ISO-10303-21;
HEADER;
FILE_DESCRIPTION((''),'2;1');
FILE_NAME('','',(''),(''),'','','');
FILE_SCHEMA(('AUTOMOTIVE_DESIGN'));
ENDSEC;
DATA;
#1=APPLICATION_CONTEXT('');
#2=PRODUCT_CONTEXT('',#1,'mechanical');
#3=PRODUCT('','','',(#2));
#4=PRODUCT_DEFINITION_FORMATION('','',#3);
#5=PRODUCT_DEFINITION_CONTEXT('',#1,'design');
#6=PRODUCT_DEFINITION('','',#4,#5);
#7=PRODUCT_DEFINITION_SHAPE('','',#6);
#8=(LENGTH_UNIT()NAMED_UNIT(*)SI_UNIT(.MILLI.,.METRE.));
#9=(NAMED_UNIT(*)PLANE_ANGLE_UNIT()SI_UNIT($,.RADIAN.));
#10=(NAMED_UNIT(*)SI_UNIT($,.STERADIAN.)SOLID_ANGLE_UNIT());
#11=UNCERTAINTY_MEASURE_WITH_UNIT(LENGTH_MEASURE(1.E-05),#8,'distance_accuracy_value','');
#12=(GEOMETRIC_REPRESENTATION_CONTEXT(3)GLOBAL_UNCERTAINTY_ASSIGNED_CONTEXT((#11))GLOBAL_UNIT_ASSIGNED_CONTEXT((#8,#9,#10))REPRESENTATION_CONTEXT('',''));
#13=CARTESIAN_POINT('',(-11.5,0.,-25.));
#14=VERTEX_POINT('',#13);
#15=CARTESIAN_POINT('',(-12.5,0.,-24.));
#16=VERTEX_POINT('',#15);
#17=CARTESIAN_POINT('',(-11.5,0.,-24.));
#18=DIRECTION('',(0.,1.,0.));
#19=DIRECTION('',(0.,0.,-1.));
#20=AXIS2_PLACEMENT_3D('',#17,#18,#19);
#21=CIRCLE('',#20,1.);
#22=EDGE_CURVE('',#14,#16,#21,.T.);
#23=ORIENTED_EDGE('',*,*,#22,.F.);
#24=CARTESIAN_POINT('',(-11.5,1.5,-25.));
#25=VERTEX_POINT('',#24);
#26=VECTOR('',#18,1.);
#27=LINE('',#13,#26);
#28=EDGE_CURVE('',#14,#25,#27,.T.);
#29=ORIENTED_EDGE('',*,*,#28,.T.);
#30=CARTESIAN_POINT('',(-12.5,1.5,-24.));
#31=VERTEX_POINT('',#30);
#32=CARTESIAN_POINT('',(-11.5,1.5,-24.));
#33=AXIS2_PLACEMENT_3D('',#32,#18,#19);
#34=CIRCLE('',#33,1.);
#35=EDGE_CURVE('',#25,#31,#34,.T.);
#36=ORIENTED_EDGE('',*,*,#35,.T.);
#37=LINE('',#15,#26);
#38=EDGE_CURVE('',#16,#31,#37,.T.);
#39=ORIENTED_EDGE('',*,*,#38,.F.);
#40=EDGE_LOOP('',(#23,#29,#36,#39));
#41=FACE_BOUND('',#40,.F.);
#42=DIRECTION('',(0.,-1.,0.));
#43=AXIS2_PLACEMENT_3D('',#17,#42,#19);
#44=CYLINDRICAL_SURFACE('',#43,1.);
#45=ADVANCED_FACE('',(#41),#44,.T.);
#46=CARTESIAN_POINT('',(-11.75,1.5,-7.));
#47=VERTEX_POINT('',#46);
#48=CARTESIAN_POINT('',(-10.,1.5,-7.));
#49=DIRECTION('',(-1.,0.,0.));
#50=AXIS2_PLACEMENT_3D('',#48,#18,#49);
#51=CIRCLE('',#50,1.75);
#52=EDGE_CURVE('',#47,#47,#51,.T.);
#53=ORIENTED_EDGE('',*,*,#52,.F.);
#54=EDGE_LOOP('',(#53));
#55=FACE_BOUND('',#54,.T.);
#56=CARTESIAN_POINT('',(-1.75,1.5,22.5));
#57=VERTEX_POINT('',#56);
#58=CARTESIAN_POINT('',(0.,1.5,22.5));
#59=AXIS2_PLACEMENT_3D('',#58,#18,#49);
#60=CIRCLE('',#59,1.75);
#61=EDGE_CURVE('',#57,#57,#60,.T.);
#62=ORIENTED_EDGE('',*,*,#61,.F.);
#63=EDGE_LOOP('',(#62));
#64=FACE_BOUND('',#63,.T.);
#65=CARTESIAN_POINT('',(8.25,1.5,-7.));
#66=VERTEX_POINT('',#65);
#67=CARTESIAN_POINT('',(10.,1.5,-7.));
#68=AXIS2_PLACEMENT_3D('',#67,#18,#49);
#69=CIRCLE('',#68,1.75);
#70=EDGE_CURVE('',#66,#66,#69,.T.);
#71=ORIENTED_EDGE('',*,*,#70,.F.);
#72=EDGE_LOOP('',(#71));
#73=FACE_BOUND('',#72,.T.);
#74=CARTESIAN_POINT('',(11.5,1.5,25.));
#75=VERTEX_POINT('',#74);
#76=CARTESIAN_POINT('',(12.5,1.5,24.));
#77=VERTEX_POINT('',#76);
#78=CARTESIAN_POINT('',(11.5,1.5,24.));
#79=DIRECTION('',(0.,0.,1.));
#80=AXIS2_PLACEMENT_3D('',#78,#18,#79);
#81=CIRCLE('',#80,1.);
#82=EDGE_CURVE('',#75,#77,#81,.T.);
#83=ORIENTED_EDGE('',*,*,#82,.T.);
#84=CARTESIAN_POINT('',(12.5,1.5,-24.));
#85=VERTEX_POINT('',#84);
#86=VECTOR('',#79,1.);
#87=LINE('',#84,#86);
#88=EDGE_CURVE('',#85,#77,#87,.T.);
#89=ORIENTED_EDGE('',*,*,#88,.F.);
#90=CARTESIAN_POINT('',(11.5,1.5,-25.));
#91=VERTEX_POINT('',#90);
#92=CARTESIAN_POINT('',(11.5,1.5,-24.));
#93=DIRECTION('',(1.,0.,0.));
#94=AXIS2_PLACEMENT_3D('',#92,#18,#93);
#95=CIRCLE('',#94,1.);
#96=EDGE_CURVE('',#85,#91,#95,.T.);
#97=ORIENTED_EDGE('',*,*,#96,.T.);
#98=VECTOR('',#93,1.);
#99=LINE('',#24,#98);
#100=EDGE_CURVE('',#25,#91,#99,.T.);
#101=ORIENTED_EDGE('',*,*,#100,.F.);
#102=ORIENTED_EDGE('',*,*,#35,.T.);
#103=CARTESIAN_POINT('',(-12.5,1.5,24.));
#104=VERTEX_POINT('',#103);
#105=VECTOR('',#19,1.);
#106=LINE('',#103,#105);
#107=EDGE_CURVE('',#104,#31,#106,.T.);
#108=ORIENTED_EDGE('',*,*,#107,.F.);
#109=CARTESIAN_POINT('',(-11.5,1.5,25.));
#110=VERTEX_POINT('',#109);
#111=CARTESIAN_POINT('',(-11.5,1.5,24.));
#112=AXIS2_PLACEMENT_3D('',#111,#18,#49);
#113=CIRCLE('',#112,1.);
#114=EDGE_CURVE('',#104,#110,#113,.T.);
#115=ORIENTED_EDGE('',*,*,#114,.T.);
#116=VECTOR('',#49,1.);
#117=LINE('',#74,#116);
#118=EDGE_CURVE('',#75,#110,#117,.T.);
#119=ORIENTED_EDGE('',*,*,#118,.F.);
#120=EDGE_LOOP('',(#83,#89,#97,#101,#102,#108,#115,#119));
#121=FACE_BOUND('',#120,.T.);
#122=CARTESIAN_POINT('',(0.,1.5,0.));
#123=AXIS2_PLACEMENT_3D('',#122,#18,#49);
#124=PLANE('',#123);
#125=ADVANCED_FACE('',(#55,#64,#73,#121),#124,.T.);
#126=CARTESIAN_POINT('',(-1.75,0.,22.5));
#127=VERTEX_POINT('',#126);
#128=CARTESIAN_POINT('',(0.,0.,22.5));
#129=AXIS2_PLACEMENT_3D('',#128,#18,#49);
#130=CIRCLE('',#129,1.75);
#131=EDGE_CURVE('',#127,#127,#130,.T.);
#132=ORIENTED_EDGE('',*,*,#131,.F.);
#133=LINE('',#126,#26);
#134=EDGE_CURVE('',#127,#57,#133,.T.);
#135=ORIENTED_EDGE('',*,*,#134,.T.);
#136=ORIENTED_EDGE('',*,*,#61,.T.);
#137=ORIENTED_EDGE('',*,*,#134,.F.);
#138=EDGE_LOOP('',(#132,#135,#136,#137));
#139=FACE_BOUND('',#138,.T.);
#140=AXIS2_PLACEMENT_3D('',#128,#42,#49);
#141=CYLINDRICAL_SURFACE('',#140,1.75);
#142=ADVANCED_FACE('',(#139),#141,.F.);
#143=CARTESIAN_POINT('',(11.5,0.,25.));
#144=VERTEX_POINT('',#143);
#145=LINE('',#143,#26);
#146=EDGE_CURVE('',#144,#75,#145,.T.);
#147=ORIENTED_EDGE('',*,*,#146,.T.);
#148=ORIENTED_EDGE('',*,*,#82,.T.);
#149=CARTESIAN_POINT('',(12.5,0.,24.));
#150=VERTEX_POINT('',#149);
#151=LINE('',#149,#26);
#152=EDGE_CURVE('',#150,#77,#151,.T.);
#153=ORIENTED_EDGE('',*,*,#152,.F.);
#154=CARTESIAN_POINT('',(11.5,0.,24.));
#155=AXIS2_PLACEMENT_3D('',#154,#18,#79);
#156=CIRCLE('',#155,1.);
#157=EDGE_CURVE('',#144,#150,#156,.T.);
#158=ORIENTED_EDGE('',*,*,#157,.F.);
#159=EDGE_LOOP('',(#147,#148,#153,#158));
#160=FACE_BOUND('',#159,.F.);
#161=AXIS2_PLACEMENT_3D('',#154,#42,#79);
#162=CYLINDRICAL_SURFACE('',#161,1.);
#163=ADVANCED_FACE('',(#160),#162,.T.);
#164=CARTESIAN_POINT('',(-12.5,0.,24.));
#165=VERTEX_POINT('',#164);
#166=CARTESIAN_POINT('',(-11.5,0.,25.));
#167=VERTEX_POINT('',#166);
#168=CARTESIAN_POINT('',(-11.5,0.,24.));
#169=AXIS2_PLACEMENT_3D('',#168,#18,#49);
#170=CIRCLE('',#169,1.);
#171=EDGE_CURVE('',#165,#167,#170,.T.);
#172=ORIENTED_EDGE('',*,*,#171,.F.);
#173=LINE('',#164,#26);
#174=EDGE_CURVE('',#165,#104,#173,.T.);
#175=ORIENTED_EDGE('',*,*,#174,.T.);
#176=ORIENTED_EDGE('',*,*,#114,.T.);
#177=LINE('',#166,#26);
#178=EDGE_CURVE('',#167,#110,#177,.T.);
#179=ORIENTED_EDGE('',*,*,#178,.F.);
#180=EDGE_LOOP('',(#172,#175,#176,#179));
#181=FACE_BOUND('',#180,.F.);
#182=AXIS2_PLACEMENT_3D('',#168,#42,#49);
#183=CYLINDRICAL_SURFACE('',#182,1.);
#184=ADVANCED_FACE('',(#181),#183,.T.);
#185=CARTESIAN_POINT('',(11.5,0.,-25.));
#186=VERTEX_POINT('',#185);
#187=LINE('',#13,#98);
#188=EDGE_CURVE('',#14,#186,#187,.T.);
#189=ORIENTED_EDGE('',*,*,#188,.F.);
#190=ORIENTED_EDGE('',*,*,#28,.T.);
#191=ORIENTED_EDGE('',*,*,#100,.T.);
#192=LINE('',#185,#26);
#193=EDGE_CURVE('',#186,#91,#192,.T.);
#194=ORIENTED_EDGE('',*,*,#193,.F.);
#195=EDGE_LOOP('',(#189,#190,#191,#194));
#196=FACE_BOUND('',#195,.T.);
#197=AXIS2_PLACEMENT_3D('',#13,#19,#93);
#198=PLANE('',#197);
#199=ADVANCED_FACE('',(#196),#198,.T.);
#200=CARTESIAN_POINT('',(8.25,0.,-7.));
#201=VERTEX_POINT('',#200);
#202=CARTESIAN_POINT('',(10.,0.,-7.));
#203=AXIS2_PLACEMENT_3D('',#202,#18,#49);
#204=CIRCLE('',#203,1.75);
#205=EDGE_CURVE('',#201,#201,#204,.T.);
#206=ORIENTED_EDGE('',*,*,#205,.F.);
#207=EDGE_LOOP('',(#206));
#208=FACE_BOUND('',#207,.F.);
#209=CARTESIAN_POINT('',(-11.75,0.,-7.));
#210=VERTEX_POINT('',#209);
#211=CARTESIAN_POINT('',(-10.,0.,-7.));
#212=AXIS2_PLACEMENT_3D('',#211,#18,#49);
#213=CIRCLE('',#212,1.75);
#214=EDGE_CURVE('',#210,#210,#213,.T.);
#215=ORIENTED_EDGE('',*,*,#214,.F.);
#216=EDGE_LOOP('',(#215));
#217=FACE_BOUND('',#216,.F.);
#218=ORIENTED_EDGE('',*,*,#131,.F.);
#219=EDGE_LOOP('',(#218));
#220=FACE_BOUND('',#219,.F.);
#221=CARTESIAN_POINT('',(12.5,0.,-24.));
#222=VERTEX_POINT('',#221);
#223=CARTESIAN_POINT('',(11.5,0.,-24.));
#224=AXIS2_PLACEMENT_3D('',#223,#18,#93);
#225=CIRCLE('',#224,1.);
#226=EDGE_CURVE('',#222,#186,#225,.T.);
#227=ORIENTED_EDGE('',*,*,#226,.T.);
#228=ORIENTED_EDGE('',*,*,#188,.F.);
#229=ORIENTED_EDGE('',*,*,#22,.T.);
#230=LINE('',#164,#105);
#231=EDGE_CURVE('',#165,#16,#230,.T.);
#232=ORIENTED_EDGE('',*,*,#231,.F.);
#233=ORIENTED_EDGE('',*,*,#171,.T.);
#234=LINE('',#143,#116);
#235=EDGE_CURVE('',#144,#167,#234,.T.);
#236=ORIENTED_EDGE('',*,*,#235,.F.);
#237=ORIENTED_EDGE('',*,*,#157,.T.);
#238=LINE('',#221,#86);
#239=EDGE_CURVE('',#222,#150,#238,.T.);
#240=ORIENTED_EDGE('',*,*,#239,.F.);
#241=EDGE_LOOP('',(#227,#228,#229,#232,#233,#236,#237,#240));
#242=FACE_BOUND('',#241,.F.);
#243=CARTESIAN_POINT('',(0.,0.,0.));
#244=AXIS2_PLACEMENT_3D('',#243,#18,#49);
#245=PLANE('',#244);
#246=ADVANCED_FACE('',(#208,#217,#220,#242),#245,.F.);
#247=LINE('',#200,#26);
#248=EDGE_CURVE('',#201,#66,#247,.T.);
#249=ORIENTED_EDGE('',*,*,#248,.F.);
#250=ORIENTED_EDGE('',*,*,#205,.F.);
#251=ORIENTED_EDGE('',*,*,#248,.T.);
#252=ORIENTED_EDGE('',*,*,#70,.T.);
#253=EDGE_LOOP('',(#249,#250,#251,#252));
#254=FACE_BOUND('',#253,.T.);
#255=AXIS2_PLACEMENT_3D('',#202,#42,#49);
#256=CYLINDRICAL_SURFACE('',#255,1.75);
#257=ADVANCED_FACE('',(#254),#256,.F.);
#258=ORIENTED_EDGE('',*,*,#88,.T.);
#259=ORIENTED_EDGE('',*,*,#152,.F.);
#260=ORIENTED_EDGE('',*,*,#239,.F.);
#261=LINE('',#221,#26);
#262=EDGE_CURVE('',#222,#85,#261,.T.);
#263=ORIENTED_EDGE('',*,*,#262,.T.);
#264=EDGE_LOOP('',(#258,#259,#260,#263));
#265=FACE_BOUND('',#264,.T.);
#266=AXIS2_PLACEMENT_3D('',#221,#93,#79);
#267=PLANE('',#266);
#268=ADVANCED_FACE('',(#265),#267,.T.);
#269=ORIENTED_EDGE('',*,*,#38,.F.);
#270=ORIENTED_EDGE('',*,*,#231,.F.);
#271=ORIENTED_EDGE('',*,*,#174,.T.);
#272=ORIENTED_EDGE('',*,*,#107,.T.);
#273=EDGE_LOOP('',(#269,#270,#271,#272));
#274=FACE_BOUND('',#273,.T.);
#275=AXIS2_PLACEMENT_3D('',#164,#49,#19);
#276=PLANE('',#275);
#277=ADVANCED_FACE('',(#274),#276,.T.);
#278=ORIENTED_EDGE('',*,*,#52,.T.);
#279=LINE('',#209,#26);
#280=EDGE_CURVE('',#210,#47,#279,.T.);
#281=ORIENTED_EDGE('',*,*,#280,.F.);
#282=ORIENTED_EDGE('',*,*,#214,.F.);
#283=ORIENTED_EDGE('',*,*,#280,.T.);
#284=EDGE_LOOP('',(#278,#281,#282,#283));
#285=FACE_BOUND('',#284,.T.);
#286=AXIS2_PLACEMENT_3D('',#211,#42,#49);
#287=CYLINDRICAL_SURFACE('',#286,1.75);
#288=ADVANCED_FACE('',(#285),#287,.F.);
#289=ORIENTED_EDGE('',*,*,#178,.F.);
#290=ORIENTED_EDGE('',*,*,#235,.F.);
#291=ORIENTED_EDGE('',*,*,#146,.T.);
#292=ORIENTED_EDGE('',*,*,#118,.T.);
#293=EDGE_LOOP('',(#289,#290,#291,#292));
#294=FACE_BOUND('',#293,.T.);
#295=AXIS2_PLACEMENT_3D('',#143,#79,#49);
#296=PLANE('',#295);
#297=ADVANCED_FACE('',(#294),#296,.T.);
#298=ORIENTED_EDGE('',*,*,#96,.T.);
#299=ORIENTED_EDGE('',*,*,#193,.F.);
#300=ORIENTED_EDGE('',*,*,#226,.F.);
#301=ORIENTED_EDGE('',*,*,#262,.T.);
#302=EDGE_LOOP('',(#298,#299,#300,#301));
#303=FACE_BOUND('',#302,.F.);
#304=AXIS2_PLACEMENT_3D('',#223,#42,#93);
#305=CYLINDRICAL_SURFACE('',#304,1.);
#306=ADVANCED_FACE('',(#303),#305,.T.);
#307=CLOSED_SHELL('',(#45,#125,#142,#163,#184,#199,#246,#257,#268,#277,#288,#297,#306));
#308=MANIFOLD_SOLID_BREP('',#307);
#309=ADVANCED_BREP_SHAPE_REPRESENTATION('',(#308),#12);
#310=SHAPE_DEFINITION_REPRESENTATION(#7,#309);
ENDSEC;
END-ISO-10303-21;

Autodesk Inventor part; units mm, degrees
ref_plane "YZ Plane" through (0, 0, 0) normal (1, 0, 0) x (0, 1, 0)
ref_plane "XZ Plane" through (0, 0, 0) normal (0, 1, 0) x (-1, 0, 0)
ref_plane "XY Plane" through (0, 0, 0) normal (0, 0, 1) x (1, 0, 0)
sketch "Esquisse1" plane through (0, 0, 0) normal (0, 1, 0) x (-1, 0, 0)
  line L0 (-11.5, 25) -> (11.5, 25)
  line L1 (12.5, 24) -> (12.5, -24)
  line L2 (11.5, -25) -> (-11.5, -25)
  line L3 (-12.5, -24) -> (-12.5, 24)
  line L4 (-12.5, 25) -> (12.5, -25) construction
  line L5 (12.5, 25) -> (-12.5, -25) construction
  arc A0 (12.5, 24) -> (11.5, 25) centre (11.5, 24) ccw
  arc A1 (-11.5, 25) -> (-12.5, 24) centre (-11.5, 24) ccw
  arc A2 (-12.5, -24) -> (-11.5, -25) centre (-11.5, -24) ccw
  arc A3 (11.5, -25) -> (12.5, -24) centre (11.5, -24) ccw
  line L6 (0, 25) -> (0, 22.5) construction
  circle A4 centre (0, 22.5) radius 1.75
  line L7 (9.4717, 25) -> (9.4717, -7) construction
  line L8 (12.5, -7) -> (10, -7) construction
  circle A5 centre (10, -7) radius 1.75
  circle A6 centre (-10, -7) radius 1.75
  point P0 (0, 0)
  dimension "d0" = 25
  dimension "d1" = 50
  dimension "d2" = 1
  dimension "d3" = 2.5
  dimension "d4" = 3.5
  dimension "d5" = 32
  dimension "d6" = 2.5
  dimension "d7" = 3.5
extrude "Extrusion1" add sketch "Esquisse1" along normal blind 1.5
sketch "Sketch2" plane through (-12.5, 0, -24) normal (-1, 0, 0) x (0, 0, 1)
  point P0 (24, 0)
sketch "Sketch3" plane through (0, 1.5, 0) normal (0, 1, 0) x (1, 0, 0)
  point P0 (0, 0)
properties part number "PCB"
